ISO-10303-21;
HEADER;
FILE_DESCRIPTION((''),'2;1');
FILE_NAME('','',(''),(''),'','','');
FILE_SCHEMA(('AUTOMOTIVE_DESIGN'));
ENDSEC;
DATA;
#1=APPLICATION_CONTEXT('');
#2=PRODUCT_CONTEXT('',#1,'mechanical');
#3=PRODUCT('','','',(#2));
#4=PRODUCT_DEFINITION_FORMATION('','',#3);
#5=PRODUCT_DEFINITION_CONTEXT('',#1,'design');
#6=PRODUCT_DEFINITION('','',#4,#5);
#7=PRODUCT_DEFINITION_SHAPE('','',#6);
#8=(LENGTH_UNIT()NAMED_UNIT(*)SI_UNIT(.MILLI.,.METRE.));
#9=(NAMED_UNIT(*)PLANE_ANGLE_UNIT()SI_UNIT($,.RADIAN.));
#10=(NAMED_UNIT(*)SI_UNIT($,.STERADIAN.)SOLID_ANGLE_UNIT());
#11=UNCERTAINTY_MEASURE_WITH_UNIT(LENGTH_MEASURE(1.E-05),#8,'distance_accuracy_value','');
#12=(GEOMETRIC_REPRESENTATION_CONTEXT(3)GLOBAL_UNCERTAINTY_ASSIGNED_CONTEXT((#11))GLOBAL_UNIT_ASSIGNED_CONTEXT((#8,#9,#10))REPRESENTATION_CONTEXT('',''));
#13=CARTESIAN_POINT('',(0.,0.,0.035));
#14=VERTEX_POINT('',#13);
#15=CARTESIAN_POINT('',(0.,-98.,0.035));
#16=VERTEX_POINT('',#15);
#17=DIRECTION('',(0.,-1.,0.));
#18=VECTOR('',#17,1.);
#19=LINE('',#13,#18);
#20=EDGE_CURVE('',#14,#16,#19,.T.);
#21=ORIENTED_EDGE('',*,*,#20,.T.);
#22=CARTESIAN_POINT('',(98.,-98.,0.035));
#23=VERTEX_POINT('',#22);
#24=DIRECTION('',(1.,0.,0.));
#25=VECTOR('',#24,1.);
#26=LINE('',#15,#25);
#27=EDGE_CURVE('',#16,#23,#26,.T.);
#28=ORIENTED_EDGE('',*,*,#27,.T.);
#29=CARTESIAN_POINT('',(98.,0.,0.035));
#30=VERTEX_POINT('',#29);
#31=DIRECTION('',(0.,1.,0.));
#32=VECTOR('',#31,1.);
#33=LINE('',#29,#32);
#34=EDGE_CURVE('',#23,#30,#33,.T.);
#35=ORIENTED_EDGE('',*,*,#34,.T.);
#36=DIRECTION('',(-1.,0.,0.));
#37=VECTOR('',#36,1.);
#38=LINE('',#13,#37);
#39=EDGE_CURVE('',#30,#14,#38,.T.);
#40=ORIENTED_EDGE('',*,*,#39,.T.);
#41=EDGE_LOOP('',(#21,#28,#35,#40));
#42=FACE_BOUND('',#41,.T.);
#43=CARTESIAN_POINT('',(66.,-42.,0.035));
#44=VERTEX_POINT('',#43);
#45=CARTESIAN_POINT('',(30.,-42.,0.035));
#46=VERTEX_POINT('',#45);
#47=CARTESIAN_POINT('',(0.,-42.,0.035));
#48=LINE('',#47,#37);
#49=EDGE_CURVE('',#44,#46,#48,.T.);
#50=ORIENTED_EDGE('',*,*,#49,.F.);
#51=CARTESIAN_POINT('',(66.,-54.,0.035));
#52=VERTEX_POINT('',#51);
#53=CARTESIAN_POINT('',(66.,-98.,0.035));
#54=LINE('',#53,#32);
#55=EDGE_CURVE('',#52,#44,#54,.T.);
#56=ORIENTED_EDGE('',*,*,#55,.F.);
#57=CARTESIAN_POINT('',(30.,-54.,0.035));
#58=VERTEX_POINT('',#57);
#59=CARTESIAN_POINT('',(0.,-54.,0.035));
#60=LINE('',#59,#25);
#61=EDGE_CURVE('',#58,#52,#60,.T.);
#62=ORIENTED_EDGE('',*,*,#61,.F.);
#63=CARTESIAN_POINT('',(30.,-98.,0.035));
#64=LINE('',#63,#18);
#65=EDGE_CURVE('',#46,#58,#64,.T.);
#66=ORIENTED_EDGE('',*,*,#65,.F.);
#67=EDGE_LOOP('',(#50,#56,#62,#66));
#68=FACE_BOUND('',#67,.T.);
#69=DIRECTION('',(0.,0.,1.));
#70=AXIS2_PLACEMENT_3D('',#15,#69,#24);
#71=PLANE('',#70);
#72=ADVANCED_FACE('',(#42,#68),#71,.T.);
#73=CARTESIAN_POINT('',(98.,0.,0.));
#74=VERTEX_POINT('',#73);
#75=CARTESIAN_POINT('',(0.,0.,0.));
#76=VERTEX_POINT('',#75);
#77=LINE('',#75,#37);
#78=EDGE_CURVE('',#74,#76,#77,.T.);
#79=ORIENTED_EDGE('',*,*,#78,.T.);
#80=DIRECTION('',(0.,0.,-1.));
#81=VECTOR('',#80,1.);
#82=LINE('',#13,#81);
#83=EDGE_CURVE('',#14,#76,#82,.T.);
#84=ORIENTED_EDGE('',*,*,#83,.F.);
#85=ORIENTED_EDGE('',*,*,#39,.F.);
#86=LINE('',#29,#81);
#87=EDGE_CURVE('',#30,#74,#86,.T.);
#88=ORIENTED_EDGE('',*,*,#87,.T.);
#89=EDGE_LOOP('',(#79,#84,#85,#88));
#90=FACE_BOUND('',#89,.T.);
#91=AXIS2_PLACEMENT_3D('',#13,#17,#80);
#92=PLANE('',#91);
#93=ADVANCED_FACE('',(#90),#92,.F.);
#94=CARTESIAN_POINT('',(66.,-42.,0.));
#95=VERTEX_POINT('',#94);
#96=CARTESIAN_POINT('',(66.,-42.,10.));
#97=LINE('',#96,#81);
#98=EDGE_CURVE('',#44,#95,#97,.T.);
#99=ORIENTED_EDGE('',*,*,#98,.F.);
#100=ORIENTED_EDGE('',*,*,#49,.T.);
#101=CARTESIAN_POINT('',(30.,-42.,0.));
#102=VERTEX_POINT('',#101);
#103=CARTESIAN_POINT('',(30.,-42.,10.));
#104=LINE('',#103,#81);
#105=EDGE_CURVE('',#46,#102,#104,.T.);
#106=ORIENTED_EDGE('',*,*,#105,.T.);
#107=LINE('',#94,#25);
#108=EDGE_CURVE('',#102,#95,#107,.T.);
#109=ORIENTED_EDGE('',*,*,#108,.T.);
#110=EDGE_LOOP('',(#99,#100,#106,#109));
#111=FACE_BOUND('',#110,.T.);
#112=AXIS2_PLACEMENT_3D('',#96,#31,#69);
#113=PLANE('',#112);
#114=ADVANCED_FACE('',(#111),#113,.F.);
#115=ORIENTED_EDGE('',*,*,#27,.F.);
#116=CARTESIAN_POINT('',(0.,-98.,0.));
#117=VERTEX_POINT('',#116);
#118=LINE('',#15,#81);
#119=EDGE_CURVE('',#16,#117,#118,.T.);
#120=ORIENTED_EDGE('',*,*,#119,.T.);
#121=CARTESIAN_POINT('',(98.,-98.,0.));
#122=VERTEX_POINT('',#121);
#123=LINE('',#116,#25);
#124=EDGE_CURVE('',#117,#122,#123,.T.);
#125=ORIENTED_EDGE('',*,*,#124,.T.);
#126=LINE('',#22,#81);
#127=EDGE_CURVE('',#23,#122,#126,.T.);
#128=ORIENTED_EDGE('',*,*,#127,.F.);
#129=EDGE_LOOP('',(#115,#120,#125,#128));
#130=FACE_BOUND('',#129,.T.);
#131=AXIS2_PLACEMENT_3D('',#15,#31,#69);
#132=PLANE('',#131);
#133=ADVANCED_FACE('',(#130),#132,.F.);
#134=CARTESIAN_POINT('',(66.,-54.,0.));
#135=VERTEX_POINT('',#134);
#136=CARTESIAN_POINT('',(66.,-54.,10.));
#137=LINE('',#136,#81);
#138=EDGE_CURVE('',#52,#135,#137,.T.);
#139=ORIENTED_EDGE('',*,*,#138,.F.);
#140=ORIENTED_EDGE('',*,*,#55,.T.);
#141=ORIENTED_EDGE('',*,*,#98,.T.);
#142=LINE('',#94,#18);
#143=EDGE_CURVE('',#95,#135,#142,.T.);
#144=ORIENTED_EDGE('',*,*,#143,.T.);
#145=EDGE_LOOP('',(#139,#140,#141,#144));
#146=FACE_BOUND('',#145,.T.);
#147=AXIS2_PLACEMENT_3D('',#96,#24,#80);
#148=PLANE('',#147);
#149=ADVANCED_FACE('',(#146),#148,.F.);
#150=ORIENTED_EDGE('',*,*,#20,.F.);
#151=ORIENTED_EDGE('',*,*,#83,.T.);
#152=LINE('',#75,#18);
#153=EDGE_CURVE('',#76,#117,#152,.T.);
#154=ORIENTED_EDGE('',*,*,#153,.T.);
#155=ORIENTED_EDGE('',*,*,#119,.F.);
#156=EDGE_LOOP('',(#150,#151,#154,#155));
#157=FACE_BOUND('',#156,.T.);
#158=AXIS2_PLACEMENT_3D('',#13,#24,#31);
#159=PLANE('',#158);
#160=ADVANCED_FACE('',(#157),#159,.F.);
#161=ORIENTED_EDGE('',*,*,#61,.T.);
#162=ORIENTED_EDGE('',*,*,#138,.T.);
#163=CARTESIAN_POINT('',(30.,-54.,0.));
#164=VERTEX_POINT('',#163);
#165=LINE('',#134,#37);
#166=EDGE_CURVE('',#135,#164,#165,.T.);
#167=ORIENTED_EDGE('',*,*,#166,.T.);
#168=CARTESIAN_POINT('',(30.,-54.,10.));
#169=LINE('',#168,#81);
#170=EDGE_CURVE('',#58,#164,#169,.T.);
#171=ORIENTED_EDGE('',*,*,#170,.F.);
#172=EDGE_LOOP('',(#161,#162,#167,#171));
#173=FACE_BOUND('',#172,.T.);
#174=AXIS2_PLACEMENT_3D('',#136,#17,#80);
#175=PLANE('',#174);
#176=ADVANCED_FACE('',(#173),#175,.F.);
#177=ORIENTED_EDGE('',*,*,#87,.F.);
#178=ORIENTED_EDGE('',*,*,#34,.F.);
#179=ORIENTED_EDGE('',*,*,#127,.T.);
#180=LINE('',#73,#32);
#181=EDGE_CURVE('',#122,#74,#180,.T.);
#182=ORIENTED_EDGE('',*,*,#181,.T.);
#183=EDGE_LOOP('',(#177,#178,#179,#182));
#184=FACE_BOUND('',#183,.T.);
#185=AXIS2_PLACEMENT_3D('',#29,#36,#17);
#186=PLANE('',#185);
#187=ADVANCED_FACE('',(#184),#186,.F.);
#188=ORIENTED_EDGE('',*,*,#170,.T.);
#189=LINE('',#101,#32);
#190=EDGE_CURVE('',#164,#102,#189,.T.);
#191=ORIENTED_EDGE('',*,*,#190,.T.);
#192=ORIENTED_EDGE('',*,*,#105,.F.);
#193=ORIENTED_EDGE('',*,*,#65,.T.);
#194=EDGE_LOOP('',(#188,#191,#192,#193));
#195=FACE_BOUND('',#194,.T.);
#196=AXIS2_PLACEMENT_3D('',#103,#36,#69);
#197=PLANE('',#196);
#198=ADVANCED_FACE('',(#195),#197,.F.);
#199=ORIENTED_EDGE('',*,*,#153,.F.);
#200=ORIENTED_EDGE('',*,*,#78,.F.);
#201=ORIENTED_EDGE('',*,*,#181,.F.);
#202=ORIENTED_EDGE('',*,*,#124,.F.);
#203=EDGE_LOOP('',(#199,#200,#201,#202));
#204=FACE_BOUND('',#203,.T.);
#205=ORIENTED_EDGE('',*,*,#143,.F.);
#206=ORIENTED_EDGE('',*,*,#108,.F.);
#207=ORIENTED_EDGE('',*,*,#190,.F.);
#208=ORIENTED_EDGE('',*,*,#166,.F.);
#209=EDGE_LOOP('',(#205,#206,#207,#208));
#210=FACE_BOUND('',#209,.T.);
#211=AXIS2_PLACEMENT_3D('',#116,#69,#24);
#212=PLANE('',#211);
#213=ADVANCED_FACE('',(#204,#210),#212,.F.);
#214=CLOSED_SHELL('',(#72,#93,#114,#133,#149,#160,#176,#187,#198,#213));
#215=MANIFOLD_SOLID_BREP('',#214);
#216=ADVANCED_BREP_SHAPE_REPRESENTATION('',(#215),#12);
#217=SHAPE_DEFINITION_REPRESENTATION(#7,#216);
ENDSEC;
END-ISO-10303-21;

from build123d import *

# Parameters (mm, degrees)
SKETCH1_W           = 98
SKETCH1_H           = 98
BOSS_EXTRUDE1_DEPTH = 0.035
SKETCH2_W           = 36
SKETCH2_H           = 12
CUT_EXTRUDE1_DEPTH  = 10


with BuildPart() as part:
    # Sketch1 → Boss-Extrude1 (new body)
    with BuildSketch(Plane.XY):
        with Locations((49, -49)):
            Rectangle(SKETCH1_W, SKETCH1_H)
    extrude(amount=BOSS_EXTRUDE1_DEPTH)

    # Sketch2 → Cut-Extrude1 (cut)
    with BuildSketch(Plane(origin=(0, 0, 0), x_dir=(-1, 0, 0), z_dir=(0, 0, -1))):
        with Locations((-48, -48)):
            Rectangle(SKETCH2_W, SKETCH2_H)
    extrude(amount=-CUT_EXTRUDE1_DEPTH, mode=Mode.SUBTRACT)


solid = part.part
